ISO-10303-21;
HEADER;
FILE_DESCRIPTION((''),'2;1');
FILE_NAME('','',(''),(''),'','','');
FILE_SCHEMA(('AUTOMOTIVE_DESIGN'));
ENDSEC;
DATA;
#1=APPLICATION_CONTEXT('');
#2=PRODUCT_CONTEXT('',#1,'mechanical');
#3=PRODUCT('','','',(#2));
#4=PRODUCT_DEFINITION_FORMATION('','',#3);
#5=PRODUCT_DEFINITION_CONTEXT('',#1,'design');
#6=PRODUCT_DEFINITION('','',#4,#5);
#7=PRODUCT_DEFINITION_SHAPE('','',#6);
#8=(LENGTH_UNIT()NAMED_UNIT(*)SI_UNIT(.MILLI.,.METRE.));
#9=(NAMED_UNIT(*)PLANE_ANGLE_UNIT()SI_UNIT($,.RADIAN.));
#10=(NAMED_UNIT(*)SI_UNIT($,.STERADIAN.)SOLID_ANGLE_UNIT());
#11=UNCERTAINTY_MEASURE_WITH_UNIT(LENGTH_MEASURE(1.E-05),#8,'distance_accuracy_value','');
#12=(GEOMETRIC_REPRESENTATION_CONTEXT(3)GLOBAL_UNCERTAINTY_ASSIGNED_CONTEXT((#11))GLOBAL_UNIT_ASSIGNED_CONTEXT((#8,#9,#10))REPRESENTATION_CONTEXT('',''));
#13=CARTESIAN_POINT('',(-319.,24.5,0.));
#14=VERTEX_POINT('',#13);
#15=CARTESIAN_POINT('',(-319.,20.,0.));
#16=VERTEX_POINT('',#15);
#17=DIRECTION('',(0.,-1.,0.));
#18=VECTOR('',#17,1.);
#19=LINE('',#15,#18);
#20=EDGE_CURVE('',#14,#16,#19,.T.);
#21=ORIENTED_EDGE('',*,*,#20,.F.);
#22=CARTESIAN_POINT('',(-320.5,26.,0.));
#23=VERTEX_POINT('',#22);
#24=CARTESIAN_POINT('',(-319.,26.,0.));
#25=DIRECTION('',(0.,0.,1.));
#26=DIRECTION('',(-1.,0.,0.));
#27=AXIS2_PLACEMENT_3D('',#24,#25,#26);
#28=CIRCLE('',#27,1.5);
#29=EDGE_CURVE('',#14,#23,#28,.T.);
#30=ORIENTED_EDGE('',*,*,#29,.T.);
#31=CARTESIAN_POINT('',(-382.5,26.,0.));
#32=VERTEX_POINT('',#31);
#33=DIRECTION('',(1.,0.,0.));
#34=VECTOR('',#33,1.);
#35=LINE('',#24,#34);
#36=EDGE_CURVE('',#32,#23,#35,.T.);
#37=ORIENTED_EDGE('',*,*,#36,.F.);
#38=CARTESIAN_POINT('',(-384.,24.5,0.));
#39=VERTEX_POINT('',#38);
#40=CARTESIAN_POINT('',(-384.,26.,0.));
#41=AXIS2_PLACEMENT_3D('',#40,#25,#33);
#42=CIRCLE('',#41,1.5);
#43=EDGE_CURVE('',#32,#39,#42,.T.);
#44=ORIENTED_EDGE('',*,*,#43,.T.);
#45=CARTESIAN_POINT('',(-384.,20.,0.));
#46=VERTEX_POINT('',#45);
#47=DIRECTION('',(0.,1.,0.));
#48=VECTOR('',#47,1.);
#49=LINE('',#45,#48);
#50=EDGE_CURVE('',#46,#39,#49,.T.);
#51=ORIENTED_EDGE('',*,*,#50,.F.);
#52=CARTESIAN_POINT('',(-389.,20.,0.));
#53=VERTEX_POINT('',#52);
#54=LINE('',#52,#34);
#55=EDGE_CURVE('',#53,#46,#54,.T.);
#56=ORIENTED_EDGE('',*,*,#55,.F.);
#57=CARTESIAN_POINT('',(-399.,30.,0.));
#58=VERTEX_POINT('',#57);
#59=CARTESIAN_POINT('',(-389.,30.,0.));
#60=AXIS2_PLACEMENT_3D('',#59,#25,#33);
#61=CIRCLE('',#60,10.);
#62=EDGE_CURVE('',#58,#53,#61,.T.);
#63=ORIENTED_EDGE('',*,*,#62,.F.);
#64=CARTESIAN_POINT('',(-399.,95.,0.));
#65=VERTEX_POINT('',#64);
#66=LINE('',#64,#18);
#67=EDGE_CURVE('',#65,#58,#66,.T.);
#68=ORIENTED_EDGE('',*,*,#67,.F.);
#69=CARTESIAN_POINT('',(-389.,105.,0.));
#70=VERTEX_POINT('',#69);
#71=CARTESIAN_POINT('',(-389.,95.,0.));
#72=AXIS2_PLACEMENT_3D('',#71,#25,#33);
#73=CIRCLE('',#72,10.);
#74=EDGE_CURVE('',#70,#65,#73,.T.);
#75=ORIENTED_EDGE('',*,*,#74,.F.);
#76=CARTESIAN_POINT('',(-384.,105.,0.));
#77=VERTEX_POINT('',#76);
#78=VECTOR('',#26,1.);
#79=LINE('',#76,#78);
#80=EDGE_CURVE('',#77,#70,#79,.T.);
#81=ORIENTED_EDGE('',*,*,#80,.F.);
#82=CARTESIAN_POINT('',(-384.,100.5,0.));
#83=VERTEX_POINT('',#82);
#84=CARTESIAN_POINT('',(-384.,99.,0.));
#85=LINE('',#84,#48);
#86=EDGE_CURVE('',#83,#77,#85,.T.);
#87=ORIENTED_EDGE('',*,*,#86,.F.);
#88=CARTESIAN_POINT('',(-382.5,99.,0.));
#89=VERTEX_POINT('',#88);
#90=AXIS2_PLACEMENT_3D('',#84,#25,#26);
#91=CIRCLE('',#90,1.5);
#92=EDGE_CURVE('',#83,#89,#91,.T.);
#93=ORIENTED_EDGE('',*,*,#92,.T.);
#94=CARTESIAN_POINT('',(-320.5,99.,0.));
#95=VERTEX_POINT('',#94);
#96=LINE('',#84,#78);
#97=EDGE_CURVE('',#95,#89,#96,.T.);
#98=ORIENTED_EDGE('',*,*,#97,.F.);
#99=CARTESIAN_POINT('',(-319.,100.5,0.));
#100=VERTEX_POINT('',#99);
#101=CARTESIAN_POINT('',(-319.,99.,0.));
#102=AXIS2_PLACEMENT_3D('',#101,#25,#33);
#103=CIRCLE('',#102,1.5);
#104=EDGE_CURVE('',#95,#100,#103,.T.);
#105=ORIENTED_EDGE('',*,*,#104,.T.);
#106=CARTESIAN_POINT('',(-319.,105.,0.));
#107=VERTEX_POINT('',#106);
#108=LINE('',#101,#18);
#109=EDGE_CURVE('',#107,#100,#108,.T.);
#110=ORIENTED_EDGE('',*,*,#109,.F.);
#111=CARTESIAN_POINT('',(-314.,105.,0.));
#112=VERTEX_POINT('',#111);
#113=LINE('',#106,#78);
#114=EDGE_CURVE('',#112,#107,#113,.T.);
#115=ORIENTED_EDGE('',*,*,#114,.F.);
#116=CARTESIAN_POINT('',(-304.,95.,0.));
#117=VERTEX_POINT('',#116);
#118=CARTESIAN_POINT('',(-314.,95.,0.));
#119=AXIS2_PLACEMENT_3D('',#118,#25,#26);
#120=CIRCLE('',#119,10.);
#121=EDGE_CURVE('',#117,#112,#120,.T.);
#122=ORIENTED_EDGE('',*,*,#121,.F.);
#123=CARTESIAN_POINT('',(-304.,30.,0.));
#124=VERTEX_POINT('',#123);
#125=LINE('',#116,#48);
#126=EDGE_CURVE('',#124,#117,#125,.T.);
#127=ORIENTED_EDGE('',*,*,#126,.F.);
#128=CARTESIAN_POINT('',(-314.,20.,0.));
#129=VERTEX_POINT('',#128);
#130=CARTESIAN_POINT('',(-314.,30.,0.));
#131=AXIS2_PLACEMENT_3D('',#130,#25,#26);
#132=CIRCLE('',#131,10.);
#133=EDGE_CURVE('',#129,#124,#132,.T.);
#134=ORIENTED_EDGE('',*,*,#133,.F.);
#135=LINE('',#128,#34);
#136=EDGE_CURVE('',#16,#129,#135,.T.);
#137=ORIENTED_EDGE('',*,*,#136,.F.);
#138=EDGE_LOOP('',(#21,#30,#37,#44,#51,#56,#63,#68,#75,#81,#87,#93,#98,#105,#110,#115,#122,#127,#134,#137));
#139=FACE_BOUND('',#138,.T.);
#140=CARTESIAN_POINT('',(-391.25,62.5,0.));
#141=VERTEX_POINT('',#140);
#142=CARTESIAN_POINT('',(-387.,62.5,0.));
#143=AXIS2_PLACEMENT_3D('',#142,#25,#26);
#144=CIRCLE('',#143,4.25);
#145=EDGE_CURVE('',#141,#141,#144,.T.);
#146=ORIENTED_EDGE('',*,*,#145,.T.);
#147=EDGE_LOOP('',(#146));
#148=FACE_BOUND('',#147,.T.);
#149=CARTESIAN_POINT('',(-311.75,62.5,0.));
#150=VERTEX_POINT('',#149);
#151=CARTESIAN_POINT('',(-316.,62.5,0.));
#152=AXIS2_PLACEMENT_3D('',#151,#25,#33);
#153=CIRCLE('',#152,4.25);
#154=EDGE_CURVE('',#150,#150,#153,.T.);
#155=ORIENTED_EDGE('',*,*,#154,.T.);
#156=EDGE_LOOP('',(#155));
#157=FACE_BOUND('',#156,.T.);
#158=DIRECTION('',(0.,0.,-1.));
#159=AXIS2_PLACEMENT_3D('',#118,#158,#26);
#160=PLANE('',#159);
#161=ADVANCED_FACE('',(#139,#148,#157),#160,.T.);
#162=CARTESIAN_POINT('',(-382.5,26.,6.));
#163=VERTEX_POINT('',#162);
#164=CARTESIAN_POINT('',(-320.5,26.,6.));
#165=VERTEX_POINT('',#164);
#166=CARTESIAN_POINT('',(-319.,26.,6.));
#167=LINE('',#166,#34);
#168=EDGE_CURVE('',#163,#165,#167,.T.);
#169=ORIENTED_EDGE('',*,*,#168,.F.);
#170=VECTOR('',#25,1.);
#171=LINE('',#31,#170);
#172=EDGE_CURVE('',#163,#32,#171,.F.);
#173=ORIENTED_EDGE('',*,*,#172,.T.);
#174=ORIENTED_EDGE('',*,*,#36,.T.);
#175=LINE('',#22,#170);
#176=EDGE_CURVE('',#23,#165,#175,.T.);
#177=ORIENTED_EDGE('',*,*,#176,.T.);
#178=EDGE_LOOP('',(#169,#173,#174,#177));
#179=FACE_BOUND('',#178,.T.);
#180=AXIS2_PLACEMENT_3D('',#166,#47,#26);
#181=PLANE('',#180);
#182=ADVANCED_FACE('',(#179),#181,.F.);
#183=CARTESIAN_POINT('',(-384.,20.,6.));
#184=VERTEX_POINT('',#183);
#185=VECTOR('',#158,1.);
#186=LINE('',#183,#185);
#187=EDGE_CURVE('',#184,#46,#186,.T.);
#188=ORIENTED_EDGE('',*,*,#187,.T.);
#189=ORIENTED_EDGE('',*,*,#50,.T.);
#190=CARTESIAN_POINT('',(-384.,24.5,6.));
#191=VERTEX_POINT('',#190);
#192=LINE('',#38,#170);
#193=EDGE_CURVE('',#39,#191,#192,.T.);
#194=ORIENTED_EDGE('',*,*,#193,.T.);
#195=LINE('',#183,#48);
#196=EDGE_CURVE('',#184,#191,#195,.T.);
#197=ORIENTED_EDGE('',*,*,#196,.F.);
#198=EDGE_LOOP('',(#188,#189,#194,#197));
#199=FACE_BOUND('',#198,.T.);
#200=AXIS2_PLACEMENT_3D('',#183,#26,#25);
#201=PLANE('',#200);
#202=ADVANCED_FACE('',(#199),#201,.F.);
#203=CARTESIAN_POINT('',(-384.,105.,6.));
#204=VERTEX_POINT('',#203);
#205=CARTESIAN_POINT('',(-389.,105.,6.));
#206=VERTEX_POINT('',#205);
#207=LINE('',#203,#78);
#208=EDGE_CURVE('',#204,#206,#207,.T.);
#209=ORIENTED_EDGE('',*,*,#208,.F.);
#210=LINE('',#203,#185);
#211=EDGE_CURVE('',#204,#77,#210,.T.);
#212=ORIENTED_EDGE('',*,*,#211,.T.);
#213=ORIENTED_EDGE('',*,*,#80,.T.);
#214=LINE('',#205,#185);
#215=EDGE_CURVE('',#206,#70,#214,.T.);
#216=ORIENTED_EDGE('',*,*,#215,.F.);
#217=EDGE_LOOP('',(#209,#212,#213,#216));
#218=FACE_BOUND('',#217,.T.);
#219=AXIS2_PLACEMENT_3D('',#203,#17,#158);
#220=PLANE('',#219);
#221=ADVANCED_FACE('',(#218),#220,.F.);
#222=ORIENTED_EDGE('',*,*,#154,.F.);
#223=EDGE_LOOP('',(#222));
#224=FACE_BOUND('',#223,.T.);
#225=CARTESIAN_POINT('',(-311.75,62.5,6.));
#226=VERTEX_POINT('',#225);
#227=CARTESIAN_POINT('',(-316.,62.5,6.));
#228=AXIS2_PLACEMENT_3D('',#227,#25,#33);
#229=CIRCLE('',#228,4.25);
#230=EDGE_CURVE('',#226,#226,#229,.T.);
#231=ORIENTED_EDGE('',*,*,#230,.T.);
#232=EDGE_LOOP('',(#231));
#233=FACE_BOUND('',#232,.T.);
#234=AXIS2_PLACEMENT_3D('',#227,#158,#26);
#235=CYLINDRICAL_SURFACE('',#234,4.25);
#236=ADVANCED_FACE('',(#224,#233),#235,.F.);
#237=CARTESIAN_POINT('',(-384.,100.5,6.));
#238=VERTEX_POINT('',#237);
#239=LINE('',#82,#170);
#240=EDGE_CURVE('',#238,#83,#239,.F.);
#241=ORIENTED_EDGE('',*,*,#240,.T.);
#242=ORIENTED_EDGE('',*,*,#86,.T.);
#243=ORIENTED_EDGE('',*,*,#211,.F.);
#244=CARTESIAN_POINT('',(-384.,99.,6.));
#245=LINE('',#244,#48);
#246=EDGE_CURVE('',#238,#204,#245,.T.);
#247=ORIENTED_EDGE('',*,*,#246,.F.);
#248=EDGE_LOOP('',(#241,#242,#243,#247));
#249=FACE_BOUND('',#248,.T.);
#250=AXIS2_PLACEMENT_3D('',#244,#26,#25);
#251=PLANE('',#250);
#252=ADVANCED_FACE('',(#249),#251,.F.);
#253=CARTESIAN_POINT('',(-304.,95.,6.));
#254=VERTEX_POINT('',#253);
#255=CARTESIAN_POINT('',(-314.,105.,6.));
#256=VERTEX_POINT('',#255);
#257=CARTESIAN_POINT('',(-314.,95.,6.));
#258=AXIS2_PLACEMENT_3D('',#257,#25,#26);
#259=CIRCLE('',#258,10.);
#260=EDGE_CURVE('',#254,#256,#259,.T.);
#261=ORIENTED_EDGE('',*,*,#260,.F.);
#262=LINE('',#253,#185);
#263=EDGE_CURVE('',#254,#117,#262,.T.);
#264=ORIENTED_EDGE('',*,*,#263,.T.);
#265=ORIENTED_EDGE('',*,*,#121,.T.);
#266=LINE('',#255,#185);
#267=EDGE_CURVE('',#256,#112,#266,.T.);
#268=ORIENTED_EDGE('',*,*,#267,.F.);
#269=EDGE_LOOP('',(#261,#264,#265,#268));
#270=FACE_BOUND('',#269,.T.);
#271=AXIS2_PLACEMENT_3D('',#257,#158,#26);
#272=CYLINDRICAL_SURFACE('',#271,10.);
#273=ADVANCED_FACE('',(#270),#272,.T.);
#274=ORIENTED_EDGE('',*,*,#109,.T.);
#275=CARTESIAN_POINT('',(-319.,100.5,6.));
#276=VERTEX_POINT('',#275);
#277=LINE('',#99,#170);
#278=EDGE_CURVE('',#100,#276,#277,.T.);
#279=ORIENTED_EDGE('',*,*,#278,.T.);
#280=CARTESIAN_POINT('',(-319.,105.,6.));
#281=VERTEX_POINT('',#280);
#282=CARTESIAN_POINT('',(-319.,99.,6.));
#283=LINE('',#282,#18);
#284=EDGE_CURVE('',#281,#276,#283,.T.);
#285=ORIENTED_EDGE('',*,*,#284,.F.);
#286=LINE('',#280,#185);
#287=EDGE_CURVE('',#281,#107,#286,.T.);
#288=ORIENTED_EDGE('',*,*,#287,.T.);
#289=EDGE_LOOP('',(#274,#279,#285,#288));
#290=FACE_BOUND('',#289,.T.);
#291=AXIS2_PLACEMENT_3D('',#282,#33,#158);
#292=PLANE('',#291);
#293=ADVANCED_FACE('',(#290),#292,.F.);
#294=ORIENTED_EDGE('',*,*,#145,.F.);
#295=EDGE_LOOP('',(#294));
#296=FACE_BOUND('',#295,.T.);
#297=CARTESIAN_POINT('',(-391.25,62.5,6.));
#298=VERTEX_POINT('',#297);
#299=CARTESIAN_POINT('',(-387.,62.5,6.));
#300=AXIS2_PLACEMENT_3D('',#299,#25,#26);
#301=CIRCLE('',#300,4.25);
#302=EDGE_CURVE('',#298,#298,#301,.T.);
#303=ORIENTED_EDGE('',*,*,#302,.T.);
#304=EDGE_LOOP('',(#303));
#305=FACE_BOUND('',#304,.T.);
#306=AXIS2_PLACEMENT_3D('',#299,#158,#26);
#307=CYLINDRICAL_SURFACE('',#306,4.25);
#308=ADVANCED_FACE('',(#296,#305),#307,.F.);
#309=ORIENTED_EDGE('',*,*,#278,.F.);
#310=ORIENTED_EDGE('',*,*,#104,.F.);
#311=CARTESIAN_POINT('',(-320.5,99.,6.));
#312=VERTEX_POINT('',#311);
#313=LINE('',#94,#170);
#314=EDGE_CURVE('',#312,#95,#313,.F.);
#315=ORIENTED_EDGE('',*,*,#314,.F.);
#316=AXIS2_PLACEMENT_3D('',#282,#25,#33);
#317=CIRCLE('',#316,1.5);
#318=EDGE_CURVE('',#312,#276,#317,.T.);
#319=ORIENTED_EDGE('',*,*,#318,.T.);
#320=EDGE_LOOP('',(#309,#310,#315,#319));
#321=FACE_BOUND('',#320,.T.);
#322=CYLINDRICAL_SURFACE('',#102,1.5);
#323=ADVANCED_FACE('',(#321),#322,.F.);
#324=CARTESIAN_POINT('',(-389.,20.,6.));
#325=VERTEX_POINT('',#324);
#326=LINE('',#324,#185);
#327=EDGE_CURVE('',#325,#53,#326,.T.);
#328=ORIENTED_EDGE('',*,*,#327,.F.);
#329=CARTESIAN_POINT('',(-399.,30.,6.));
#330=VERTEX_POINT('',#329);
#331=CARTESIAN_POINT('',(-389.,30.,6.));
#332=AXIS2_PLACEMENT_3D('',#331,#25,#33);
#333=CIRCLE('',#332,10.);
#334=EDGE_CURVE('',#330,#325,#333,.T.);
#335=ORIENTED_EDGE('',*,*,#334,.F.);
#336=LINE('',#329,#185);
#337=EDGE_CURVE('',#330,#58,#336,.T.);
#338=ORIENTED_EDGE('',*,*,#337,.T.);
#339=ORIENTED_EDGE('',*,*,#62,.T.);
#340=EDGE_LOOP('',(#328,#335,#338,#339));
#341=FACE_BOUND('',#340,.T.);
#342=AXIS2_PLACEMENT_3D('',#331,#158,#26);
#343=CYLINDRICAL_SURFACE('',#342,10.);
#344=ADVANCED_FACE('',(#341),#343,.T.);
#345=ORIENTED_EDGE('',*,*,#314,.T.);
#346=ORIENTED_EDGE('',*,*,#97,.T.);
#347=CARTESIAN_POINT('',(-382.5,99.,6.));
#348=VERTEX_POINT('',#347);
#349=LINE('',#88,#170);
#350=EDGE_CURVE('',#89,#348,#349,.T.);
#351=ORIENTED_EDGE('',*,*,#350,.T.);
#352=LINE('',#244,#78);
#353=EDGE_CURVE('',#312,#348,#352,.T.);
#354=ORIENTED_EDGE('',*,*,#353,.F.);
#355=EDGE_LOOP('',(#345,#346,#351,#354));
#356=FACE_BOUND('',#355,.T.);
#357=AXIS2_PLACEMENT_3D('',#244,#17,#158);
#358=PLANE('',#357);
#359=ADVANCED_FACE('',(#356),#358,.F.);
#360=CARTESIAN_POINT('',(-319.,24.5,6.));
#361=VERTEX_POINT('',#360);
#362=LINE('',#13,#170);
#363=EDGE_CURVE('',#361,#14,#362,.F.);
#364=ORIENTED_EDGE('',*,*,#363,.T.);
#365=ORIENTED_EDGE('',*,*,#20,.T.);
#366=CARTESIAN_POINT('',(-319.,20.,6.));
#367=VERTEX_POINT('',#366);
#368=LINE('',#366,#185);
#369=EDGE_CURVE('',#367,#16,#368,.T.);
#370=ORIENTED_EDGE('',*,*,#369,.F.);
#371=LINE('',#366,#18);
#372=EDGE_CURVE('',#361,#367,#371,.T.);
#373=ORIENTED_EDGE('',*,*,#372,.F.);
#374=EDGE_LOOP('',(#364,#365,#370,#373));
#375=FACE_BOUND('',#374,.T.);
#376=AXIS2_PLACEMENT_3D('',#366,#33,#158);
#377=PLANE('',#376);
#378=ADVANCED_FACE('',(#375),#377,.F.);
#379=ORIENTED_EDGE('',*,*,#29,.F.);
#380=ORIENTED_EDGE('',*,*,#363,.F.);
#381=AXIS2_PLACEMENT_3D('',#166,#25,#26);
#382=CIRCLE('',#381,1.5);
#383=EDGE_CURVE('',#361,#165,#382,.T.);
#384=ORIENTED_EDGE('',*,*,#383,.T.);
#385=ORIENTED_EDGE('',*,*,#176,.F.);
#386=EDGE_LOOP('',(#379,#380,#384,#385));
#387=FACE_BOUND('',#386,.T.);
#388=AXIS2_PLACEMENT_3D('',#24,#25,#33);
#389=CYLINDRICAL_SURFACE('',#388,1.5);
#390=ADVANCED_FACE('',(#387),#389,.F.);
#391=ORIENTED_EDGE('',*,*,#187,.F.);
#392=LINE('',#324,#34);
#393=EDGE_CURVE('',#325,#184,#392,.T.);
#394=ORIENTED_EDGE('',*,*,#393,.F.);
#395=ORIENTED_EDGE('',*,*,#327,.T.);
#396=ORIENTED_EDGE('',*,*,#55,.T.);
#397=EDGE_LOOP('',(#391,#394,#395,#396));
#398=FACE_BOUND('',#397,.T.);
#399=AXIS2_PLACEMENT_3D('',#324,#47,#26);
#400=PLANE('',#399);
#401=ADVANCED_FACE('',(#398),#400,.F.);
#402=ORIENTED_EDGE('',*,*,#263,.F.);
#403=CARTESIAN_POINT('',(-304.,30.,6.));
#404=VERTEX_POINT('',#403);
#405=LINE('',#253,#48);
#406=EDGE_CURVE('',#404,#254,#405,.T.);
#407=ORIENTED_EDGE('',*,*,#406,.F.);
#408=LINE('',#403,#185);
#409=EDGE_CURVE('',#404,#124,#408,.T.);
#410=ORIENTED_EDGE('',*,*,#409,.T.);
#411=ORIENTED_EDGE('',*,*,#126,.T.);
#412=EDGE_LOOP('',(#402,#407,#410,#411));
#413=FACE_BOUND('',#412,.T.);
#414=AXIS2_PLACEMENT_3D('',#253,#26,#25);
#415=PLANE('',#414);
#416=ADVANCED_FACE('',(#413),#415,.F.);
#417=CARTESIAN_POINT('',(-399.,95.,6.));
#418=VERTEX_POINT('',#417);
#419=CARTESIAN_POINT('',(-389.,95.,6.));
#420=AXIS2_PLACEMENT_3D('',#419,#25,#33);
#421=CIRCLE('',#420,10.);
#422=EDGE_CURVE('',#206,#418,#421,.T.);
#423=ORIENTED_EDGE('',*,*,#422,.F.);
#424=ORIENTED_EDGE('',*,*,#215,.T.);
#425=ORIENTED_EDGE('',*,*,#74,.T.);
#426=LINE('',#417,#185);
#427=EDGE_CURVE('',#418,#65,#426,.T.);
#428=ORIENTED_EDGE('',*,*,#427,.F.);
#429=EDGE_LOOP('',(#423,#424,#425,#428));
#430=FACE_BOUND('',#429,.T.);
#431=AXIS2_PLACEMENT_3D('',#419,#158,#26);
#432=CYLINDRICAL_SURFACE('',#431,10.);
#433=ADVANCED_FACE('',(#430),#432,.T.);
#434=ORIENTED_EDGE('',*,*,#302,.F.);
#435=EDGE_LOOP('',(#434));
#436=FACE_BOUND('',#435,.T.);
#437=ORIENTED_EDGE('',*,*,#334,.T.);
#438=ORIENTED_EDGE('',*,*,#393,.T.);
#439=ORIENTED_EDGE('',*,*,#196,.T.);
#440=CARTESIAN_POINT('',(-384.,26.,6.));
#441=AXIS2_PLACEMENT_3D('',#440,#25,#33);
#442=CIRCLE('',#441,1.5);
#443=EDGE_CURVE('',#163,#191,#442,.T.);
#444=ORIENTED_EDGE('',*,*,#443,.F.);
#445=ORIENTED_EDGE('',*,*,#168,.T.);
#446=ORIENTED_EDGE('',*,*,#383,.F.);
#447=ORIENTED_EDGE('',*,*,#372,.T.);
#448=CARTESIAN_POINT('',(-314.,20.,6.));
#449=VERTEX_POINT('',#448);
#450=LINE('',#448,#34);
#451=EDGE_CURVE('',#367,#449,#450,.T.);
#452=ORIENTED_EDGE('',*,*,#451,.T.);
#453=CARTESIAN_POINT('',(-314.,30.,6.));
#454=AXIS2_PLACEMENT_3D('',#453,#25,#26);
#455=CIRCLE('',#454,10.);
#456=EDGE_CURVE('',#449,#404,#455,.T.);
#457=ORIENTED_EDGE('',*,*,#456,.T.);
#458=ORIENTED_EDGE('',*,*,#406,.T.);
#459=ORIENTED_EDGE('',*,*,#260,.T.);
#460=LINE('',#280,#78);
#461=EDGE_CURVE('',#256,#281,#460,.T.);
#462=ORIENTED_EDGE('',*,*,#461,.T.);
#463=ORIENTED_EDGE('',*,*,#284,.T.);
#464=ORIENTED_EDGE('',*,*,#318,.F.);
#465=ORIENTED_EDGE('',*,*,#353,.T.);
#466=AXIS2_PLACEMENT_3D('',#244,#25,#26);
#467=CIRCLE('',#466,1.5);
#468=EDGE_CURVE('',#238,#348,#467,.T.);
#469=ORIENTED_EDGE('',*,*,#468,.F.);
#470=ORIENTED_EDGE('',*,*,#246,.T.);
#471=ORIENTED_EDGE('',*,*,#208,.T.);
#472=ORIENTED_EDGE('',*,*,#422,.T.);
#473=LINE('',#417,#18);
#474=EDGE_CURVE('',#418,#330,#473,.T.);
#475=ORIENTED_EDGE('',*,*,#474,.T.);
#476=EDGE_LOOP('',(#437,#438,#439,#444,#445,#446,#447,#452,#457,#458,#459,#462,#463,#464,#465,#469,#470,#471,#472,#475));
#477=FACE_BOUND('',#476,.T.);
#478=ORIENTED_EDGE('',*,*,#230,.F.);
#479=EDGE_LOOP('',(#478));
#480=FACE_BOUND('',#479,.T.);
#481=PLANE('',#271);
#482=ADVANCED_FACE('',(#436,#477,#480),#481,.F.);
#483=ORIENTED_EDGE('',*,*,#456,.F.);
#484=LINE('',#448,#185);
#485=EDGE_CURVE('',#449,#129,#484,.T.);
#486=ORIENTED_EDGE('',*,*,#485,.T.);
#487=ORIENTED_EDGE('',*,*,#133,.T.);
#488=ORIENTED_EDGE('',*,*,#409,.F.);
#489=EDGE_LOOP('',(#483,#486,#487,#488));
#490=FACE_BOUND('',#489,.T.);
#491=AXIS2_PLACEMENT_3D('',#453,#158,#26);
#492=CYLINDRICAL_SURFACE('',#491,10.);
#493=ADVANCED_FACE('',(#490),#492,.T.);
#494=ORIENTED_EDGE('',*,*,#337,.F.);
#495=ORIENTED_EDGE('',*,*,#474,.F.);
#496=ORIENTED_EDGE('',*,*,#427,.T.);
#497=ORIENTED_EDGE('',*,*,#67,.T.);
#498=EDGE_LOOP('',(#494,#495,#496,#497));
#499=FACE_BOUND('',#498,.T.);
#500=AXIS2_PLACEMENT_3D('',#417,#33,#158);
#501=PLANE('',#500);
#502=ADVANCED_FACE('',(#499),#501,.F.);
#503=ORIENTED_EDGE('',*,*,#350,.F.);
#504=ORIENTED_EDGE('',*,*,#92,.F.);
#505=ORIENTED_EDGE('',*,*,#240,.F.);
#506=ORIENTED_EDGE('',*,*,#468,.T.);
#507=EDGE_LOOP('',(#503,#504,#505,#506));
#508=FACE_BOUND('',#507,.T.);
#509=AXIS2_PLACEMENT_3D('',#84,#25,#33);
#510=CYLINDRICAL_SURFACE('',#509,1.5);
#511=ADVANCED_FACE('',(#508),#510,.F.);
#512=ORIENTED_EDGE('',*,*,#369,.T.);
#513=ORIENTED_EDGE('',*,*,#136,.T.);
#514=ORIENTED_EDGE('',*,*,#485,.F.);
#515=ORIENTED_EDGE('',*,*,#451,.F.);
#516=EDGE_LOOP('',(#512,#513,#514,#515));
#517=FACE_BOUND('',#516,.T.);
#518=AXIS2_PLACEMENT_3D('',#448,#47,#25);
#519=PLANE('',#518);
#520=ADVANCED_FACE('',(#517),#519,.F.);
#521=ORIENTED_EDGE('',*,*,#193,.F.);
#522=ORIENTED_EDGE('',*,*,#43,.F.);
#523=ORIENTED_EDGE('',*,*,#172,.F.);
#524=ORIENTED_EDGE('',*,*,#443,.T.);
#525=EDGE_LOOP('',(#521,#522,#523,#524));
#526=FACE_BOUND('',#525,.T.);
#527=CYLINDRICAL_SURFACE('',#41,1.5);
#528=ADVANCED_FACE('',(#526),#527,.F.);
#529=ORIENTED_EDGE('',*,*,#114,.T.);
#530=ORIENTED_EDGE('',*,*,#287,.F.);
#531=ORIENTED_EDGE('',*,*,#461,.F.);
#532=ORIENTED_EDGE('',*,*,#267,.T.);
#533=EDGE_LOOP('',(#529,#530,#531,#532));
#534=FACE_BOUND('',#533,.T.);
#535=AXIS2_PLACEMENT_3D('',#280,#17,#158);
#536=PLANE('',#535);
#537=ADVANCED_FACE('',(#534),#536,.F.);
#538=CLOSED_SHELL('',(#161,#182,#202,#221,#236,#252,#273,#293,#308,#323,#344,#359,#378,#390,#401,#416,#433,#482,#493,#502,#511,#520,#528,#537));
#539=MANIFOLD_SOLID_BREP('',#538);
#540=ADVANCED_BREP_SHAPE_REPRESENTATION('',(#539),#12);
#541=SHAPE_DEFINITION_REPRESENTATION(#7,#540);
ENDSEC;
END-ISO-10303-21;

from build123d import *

# Parameters (mm, degrees)
SKETCH1_R           = 4.25
BOSS_EXTRUDE1_DEPTH = 6
SKETCH2_R           = 1.5
CUT_EXTRUDE1_DEPTH  = 413.628161909


with BuildPart() as part:
    # Sketch1 → Boss-Extrude1 (new body)
    with BuildSketch(Plane.XY):
        with BuildLine():
            Line((-384, 99), (-319, 99))
            Line((-319, 99), (-319, 105))
            Line((-319, 105), (-314, 105))
            ThreePointArc((-314, 105), (-306.928932188, 102.071067812), (-304, 95))
            Line((-304, 95), (-304, 30))
            ThreePointArc((-304, 30), (-306.928932188, 22.928932188), (-314, 20))
            Line((-314, 20), (-319, 20))
            Line((-319, 20), (-319, 26))
            Line((-319, 26), (-384, 26))
            Line((-384, 26), (-384, 20))
            Line((-384, 20), (-389, 20))
            ThreePointArc((-389, 20), (-396.071067812, 22.928932188), (-399, 30))
            Line((-399, 30), (-399, 95))
            ThreePointArc((-399, 95), (-396.071067812, 102.071067812), (-389, 105))
            Line((-389, 105), (-384, 105))
            Line((-384, 105), (-384, 99))
        make_face()
        with Locations((-316, 62.5)):
            Circle(SKETCH1_R, mode=Mode.SUBTRACT)
        with Locations(Location((-387, 62.5, 0), (0, 0, 180))):
            Circle(SKETCH1_R, mode=Mode.SUBTRACT)
    extrude(amount=BOSS_EXTRUDE1_DEPTH)

    # Sketch2 → Cut-Extrude1 (cut, through all)
    with BuildSketch(Plane.XY.offset(6)):
        with Locations((-384, 26)):
            Circle(SKETCH2_R)
        with Locations((-319, 26)):
            Circle(SKETCH2_R)
        with Locations((-384, 99)):
            Circle(SKETCH2_R)
        with Locations((-319, 99)):
            Circle(SKETCH2_R)
    extrude(amount=-CUT_EXTRUDE1_DEPTH, mode=Mode.SUBTRACT)


solid = part.part
